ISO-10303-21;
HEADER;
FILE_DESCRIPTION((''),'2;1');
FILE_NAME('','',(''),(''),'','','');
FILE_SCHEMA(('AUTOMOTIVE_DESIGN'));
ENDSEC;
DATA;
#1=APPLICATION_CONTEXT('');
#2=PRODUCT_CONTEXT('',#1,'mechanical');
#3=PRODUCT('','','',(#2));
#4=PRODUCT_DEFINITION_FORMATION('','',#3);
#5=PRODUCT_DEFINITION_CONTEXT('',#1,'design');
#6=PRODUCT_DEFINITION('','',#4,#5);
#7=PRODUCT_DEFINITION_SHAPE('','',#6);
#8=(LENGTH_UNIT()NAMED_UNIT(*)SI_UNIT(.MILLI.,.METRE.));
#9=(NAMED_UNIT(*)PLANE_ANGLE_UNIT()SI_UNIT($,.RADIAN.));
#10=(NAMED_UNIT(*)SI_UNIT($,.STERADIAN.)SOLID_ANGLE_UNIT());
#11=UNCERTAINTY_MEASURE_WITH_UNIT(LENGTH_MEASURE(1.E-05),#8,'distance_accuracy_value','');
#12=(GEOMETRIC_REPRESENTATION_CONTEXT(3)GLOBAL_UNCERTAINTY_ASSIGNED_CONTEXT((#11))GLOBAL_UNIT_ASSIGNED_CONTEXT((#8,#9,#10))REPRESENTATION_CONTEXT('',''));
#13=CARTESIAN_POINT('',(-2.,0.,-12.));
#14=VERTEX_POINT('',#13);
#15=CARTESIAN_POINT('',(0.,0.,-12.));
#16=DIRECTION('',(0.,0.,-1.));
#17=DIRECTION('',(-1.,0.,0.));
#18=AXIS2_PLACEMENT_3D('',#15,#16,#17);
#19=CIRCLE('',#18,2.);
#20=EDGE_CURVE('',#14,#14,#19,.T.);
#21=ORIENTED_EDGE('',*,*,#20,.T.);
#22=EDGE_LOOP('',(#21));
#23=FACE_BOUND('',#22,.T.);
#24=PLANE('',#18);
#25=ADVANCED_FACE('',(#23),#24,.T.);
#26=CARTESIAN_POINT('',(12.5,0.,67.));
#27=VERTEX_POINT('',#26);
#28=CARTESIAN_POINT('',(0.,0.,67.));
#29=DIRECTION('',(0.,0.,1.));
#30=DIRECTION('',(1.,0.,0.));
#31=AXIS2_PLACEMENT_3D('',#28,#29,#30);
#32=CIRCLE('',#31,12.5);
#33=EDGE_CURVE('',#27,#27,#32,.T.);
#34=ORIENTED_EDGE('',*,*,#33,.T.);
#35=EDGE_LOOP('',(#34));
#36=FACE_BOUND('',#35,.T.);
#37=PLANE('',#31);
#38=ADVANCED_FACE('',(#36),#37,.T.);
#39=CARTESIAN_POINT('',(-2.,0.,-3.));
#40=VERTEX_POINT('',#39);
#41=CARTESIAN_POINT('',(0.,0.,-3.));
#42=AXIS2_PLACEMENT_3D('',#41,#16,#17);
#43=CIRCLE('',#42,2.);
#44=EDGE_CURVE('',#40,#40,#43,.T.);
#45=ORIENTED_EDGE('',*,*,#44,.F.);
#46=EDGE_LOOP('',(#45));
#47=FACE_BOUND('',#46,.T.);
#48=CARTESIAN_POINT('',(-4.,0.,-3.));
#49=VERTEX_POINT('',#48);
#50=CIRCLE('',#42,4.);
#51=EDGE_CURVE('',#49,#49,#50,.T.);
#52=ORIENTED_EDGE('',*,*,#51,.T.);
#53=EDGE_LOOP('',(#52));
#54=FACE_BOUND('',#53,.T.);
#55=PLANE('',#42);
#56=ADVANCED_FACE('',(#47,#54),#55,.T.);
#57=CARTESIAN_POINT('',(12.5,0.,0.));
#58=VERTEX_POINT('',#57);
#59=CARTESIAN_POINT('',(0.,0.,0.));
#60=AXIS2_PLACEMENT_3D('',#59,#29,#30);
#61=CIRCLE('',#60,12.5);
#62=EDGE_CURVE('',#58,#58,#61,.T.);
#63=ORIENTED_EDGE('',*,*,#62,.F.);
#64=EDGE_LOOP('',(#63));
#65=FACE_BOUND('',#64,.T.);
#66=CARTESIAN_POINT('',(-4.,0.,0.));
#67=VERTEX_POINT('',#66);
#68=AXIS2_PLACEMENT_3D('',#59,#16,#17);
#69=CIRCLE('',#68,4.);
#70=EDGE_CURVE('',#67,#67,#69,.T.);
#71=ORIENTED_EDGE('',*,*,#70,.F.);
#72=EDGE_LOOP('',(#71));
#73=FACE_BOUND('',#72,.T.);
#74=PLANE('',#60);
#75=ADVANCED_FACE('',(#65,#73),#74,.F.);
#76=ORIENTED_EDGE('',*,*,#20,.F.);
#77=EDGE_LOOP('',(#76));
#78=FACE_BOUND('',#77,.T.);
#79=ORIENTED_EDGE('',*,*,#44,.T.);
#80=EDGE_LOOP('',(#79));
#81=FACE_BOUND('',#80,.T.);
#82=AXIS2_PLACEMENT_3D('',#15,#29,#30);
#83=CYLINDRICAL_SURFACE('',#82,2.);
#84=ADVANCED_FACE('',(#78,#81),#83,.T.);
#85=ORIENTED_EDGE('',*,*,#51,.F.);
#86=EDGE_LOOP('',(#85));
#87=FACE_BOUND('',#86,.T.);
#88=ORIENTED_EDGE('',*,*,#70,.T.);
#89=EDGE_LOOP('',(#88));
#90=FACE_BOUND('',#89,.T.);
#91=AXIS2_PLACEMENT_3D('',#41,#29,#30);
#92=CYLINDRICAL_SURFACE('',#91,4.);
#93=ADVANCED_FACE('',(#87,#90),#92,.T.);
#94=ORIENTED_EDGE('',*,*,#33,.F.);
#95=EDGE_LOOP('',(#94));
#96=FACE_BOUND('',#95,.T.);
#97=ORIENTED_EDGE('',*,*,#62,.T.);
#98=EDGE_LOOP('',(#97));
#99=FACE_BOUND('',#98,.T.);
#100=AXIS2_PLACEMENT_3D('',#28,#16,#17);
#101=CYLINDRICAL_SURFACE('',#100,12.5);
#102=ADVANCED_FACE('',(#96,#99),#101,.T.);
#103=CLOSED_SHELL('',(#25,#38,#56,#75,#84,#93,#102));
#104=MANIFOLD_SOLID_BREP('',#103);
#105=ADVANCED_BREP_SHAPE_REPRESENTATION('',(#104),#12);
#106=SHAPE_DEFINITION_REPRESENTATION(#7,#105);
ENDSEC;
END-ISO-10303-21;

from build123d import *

# Parameters (mm, degrees)
SKETCH1_R           = 12.5
BOSS_EXTRUDE1_DEPTH = 67
SKETCH2_R           = 4
BOSS_EXTRUDE2_DEPTH = 3
SKETCH3_R           = 2
BOSS_EXTRUDE3_DEPTH = 9


with BuildPart() as part:
    # Sketch1 → Boss-Extrude1 (new body)
    with BuildSketch(Plane.XY):
        Circle(SKETCH1_R)
    extrude(amount=BOSS_EXTRUDE1_DEPTH)

    # Sketch2 → Boss-Extrude2 (add)
    with BuildSketch(Plane(origin=(0, 0, 0), x_dir=(-1, 0, 0), z_dir=(0, 0, -1))):
        Circle(SKETCH2_R)
    extrude(amount=BOSS_EXTRUDE2_DEPTH)

    # Sketch3 → Boss-Extrude3 (add)
    with BuildSketch(Plane(origin=(0, 0, -3), x_dir=(-1, 0, 0), z_dir=(0, 0, -1))):
        Circle(SKETCH3_R)
    extrude(amount=BOSS_EXTRUDE3_DEPTH)


solid = part.part
